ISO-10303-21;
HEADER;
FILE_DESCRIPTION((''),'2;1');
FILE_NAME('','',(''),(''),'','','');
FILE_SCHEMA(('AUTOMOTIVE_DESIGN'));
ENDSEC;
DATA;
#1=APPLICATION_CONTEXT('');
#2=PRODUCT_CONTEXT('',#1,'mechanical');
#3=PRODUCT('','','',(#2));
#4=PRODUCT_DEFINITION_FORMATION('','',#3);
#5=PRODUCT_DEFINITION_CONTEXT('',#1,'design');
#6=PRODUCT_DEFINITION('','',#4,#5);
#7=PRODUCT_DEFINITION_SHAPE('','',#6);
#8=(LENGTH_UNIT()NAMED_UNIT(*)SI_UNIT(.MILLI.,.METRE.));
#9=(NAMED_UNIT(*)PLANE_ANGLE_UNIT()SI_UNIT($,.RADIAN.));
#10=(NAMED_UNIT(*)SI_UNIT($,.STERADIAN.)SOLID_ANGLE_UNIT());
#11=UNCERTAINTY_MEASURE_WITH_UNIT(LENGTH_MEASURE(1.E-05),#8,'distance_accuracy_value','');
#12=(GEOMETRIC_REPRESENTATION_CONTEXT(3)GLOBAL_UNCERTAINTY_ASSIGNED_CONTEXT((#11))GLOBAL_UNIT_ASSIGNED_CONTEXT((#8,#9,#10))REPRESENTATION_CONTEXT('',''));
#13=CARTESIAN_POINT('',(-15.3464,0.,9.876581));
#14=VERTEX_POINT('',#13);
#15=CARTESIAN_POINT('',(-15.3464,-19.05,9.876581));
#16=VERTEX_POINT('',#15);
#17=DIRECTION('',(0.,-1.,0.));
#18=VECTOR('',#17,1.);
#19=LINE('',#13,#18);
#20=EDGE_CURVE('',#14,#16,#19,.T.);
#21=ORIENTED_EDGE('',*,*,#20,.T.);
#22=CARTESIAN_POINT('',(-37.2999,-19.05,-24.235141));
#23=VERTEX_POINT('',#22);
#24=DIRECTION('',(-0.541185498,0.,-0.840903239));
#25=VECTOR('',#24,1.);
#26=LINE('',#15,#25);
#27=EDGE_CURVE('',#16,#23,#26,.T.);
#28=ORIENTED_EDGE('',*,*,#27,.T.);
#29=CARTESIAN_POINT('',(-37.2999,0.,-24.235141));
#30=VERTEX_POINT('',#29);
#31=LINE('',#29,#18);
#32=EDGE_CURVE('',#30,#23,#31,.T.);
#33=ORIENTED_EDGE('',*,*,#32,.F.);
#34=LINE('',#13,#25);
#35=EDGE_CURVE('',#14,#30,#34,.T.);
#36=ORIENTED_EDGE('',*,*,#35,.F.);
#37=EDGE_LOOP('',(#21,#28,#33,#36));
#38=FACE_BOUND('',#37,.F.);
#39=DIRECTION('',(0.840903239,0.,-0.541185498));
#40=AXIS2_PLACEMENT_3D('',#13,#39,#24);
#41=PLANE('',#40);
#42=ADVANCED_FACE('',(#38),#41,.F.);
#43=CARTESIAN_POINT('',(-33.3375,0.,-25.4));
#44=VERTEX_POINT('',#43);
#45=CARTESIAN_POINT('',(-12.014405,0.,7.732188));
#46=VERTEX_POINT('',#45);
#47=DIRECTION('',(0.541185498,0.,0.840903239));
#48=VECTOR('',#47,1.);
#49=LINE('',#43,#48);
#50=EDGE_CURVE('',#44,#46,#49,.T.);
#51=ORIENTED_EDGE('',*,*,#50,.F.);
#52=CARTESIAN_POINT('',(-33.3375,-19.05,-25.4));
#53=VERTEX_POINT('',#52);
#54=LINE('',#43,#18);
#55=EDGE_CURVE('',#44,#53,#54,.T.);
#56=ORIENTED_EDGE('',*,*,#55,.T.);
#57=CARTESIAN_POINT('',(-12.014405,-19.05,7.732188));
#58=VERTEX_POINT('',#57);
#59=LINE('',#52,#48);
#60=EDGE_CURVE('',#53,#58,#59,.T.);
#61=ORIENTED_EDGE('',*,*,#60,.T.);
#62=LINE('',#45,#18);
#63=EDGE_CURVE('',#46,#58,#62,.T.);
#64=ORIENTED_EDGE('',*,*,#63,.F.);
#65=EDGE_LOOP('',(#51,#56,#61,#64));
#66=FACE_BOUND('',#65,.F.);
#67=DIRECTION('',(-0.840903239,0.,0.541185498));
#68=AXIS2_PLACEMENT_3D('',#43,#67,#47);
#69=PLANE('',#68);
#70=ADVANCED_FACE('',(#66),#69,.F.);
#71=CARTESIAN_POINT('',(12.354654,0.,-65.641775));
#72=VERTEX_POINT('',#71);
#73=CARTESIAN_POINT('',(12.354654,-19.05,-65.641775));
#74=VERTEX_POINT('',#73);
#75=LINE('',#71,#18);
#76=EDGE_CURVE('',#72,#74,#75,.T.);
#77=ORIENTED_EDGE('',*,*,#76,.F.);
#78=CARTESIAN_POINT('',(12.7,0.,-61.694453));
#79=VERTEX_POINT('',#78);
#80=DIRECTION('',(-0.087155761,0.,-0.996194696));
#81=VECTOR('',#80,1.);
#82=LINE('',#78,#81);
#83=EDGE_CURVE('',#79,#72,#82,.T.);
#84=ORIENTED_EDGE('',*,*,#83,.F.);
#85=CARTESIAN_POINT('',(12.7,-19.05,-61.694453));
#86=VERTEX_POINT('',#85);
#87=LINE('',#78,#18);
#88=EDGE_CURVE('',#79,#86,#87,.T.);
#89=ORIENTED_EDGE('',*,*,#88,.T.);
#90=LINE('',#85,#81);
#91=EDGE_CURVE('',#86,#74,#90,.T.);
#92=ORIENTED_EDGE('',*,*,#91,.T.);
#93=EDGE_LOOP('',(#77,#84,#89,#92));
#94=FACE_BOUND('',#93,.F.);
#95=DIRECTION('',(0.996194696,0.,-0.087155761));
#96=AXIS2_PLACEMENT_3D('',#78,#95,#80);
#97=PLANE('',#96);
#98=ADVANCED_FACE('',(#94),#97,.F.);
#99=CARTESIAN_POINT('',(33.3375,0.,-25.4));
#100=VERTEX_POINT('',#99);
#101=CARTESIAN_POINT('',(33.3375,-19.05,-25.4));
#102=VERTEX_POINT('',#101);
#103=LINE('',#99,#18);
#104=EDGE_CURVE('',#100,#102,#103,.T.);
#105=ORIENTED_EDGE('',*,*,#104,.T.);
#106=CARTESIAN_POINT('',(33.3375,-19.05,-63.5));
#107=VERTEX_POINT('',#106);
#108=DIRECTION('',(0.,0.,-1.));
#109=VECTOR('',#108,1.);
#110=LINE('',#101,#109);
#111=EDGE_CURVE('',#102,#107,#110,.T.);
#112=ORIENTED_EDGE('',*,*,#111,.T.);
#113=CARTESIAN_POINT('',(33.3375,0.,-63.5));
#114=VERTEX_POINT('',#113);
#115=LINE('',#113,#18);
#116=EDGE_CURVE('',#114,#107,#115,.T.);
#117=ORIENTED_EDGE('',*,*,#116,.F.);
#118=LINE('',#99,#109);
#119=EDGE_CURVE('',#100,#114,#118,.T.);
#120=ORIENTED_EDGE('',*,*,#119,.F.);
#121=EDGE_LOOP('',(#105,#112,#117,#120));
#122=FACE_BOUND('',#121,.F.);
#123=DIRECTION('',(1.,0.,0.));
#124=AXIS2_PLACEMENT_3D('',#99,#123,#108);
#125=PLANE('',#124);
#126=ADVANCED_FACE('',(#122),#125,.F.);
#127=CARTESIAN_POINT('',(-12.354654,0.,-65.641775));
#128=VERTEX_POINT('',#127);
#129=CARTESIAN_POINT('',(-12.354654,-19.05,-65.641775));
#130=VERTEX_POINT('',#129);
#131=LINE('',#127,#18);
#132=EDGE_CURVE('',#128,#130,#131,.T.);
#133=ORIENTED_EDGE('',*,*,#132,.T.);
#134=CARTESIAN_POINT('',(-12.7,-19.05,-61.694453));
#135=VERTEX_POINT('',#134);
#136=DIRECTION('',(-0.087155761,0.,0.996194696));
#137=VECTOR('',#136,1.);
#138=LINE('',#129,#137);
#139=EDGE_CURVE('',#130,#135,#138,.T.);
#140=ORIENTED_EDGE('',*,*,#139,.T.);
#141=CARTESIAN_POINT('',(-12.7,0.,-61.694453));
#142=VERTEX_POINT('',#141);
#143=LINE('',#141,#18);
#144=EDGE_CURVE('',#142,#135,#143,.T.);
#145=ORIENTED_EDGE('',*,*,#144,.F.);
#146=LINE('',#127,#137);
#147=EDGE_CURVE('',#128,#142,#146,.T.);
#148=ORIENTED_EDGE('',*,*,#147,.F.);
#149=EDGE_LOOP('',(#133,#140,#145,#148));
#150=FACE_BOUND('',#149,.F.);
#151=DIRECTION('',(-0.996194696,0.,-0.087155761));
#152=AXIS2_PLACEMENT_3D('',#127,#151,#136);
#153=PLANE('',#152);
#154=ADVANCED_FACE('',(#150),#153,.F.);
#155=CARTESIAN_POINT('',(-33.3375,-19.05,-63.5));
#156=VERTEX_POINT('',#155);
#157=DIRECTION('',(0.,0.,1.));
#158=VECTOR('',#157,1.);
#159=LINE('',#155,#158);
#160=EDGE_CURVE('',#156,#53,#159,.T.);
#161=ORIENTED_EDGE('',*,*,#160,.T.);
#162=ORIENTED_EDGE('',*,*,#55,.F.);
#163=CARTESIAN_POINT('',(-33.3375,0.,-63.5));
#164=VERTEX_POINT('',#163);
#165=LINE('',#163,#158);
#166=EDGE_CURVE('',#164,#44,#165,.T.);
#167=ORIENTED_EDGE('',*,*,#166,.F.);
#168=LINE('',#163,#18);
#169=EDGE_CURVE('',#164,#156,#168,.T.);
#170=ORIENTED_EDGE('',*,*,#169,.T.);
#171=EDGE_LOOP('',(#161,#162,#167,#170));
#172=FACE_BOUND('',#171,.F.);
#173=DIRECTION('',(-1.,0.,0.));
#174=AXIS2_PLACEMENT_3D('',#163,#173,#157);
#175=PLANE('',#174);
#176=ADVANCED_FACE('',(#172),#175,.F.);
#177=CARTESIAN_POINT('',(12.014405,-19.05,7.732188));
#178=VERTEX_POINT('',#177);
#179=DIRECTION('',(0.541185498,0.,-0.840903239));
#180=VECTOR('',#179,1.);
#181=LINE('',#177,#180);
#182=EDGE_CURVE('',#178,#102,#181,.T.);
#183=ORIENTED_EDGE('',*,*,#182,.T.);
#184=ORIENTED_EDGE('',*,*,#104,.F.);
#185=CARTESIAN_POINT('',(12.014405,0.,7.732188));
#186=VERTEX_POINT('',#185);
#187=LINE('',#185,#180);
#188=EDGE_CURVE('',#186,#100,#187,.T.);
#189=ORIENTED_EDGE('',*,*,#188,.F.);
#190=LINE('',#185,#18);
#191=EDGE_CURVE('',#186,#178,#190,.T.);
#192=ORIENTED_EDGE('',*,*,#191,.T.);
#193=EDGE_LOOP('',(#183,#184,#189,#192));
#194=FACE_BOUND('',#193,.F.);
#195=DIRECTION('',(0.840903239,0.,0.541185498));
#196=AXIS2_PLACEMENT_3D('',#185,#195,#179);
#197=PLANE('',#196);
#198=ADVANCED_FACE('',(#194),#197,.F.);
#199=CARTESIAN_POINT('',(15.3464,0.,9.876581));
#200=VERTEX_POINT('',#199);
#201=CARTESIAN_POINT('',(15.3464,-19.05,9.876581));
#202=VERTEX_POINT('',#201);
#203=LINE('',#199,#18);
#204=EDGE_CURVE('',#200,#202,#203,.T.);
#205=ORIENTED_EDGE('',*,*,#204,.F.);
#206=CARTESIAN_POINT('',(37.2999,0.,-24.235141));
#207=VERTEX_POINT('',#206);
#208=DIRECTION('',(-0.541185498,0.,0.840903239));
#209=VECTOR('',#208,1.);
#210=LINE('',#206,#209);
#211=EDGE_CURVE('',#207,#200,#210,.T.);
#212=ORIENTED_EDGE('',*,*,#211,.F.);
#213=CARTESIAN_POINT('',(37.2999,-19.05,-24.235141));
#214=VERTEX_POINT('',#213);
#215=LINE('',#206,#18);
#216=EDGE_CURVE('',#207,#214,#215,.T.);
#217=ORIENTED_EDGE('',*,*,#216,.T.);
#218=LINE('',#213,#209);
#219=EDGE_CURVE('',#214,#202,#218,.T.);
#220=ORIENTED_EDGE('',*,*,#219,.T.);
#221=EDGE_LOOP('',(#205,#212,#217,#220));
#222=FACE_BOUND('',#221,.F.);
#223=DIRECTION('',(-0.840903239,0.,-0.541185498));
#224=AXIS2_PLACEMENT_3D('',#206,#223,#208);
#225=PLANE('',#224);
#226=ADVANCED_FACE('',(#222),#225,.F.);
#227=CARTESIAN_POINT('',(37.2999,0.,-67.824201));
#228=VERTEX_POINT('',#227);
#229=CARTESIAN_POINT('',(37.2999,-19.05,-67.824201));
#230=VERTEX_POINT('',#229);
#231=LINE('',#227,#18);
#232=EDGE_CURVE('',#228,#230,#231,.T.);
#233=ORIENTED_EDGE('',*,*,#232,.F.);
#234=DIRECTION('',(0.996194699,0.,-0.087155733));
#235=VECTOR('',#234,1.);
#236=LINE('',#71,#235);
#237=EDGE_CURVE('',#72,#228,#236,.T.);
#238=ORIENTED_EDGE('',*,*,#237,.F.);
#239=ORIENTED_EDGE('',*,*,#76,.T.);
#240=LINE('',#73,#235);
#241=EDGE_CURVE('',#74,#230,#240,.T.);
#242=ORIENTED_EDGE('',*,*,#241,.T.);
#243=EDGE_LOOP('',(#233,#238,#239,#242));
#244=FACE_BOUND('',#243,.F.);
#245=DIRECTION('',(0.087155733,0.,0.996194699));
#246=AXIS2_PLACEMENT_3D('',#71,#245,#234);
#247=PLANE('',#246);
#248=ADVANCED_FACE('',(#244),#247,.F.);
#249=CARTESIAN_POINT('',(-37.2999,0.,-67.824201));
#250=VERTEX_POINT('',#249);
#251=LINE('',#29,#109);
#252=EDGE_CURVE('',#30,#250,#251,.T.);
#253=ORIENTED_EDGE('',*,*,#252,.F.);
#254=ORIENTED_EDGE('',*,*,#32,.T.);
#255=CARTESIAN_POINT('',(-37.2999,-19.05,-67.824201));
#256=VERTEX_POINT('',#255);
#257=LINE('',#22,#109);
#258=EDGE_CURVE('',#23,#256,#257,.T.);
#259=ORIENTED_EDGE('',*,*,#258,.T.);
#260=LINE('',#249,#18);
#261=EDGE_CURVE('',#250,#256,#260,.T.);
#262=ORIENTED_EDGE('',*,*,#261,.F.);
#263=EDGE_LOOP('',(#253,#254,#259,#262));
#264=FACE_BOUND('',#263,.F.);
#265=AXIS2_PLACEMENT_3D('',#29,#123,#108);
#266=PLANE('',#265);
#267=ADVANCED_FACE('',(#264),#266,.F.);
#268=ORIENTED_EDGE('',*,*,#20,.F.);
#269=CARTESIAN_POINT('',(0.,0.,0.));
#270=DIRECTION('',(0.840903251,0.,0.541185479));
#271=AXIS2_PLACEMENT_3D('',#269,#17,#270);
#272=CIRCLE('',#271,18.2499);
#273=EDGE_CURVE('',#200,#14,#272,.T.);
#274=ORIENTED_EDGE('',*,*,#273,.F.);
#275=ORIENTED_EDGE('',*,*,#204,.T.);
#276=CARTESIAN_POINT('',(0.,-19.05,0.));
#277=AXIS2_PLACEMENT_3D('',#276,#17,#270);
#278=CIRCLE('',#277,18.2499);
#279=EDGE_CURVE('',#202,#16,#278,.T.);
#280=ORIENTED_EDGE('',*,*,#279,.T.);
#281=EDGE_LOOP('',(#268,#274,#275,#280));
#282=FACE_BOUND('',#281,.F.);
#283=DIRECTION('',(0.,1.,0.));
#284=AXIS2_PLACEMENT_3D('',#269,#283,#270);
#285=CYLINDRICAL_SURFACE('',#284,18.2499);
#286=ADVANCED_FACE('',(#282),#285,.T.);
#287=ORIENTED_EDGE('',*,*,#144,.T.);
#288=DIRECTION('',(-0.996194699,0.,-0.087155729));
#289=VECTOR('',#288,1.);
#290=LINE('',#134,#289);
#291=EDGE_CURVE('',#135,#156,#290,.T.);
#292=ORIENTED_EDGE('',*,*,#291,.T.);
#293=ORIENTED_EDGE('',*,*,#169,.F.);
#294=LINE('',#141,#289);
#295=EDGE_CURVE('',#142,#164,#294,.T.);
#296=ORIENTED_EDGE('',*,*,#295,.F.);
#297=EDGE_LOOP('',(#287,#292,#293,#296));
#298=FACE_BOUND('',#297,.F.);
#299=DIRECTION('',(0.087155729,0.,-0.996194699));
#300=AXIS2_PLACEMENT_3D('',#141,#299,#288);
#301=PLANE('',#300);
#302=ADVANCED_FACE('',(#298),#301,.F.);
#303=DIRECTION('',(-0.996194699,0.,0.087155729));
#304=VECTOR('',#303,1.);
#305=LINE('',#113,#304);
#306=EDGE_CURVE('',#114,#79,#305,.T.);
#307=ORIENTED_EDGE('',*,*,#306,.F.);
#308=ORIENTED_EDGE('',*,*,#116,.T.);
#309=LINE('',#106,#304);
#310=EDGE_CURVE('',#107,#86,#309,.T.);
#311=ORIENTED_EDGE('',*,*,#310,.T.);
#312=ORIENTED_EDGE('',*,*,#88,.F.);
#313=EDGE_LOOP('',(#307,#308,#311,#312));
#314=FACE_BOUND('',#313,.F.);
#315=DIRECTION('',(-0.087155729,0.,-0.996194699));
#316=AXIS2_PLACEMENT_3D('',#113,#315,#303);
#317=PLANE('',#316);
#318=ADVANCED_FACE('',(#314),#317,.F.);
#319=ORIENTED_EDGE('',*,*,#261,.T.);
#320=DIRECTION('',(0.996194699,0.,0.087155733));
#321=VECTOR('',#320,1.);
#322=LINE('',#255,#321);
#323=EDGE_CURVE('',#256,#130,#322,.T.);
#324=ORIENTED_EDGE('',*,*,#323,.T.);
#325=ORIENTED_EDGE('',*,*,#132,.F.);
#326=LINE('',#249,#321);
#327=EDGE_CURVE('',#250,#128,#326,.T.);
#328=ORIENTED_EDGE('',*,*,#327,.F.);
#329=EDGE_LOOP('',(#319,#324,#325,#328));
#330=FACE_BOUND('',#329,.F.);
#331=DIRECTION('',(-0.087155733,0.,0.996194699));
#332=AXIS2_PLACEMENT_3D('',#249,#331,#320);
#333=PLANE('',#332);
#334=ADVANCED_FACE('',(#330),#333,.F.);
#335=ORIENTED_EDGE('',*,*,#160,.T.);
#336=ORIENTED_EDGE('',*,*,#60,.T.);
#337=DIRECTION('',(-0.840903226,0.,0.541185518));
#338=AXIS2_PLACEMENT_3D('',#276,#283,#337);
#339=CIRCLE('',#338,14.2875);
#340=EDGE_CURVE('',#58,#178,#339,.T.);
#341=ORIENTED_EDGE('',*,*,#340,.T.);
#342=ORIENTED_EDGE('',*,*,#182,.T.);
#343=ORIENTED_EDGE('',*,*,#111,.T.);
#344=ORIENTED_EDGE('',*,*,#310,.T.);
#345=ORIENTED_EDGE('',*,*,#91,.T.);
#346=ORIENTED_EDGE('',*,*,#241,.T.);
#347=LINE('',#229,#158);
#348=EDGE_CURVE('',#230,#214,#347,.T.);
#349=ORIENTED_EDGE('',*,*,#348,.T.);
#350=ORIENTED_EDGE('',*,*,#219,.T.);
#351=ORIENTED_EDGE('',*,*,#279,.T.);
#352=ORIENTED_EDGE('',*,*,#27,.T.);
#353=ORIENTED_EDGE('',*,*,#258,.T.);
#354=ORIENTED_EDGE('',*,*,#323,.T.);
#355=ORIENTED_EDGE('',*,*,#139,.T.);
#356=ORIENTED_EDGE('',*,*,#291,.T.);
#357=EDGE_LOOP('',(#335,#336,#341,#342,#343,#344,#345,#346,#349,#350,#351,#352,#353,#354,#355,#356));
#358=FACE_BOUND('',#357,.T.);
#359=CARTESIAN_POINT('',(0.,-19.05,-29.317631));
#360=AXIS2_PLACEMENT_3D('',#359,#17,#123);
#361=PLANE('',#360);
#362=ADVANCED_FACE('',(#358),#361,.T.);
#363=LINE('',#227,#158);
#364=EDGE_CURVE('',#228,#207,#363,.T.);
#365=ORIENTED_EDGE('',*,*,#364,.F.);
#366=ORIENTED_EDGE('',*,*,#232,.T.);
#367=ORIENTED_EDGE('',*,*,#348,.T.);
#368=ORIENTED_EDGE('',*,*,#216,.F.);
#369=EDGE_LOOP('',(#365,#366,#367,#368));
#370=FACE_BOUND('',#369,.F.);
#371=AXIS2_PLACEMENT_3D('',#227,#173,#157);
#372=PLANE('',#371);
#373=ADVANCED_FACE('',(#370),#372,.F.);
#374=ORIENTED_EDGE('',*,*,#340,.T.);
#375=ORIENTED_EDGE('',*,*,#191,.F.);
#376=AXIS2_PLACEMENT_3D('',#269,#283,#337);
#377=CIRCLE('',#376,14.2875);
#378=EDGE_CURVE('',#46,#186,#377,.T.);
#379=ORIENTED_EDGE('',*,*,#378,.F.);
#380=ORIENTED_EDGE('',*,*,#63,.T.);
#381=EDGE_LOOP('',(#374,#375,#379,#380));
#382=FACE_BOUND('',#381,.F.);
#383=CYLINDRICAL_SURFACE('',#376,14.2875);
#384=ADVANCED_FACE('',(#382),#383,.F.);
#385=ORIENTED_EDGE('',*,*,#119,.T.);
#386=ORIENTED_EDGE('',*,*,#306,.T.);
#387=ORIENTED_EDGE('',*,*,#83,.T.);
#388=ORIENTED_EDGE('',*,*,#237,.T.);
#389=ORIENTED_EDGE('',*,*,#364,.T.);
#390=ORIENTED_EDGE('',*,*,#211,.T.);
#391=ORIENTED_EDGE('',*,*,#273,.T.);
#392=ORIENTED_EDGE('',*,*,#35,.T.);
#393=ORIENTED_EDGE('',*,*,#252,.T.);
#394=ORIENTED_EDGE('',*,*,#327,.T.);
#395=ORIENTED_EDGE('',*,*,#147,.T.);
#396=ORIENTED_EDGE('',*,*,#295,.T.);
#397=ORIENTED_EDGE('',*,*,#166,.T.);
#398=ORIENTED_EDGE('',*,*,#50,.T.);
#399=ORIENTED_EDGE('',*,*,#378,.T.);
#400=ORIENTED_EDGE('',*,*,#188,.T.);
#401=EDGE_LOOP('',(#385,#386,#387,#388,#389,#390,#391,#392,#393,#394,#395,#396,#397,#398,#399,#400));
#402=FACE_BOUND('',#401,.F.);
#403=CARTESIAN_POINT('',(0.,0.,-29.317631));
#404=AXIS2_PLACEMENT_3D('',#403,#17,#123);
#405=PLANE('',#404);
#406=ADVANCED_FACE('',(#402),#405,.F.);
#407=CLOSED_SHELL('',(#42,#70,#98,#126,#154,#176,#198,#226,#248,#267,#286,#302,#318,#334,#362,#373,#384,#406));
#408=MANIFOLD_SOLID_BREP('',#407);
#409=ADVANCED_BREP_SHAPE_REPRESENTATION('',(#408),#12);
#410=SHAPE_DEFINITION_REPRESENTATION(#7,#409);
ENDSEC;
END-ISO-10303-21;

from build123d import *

# Parameters (mm, degrees)
F1_DEPTH = 19.05


with BuildPart() as f1:
    # F0 (on Front) → F1 (new body)
    with BuildSketch(Plane.XZ):
        with BuildLine():
            ThreePointArc((-12.014405, 7.732188), (0, 14.2875), (12.014405, 7.732188))
            Line((12.014405, 7.732188), (33.3375, -25.4))
            Line((33.3375, -25.4), (33.3375, -63.5))
            Line((33.3375, -63.5), (12.7, -61.694453))
            Line((12.7, -61.694453), (12.354654, -65.641775))
            Line((12.354654, -65.641775), (37.2999, -67.824201))
            Line((37.2999, -67.824201), (37.2999, -24.235141))
            Line((37.2999, -24.235141), (15.3464, 9.876581))
            ThreePointArc((15.3464, 9.876581), (0, 18.2499), (-15.3464, 9.876581))
            Line((-15.3464, 9.876581), (-37.2999, -24.235141))
            Line((-37.2999, -24.235141), (-37.2999, -67.824201))
            Line((-37.2999, -67.824201), (-12.354654, -65.641775))
            Line((-12.354654, -65.641775), (-12.7, -61.694453))
            Line((-12.7, -61.694453), (-33.3375, -63.5))
            Line((-33.3375, -63.5), (-33.3375, -25.4))
            Line((-33.3375, -25.4), (-12.014405, 7.732188))
        make_face()
    extrude(amount=F1_DEPTH)


solid = f1.part
